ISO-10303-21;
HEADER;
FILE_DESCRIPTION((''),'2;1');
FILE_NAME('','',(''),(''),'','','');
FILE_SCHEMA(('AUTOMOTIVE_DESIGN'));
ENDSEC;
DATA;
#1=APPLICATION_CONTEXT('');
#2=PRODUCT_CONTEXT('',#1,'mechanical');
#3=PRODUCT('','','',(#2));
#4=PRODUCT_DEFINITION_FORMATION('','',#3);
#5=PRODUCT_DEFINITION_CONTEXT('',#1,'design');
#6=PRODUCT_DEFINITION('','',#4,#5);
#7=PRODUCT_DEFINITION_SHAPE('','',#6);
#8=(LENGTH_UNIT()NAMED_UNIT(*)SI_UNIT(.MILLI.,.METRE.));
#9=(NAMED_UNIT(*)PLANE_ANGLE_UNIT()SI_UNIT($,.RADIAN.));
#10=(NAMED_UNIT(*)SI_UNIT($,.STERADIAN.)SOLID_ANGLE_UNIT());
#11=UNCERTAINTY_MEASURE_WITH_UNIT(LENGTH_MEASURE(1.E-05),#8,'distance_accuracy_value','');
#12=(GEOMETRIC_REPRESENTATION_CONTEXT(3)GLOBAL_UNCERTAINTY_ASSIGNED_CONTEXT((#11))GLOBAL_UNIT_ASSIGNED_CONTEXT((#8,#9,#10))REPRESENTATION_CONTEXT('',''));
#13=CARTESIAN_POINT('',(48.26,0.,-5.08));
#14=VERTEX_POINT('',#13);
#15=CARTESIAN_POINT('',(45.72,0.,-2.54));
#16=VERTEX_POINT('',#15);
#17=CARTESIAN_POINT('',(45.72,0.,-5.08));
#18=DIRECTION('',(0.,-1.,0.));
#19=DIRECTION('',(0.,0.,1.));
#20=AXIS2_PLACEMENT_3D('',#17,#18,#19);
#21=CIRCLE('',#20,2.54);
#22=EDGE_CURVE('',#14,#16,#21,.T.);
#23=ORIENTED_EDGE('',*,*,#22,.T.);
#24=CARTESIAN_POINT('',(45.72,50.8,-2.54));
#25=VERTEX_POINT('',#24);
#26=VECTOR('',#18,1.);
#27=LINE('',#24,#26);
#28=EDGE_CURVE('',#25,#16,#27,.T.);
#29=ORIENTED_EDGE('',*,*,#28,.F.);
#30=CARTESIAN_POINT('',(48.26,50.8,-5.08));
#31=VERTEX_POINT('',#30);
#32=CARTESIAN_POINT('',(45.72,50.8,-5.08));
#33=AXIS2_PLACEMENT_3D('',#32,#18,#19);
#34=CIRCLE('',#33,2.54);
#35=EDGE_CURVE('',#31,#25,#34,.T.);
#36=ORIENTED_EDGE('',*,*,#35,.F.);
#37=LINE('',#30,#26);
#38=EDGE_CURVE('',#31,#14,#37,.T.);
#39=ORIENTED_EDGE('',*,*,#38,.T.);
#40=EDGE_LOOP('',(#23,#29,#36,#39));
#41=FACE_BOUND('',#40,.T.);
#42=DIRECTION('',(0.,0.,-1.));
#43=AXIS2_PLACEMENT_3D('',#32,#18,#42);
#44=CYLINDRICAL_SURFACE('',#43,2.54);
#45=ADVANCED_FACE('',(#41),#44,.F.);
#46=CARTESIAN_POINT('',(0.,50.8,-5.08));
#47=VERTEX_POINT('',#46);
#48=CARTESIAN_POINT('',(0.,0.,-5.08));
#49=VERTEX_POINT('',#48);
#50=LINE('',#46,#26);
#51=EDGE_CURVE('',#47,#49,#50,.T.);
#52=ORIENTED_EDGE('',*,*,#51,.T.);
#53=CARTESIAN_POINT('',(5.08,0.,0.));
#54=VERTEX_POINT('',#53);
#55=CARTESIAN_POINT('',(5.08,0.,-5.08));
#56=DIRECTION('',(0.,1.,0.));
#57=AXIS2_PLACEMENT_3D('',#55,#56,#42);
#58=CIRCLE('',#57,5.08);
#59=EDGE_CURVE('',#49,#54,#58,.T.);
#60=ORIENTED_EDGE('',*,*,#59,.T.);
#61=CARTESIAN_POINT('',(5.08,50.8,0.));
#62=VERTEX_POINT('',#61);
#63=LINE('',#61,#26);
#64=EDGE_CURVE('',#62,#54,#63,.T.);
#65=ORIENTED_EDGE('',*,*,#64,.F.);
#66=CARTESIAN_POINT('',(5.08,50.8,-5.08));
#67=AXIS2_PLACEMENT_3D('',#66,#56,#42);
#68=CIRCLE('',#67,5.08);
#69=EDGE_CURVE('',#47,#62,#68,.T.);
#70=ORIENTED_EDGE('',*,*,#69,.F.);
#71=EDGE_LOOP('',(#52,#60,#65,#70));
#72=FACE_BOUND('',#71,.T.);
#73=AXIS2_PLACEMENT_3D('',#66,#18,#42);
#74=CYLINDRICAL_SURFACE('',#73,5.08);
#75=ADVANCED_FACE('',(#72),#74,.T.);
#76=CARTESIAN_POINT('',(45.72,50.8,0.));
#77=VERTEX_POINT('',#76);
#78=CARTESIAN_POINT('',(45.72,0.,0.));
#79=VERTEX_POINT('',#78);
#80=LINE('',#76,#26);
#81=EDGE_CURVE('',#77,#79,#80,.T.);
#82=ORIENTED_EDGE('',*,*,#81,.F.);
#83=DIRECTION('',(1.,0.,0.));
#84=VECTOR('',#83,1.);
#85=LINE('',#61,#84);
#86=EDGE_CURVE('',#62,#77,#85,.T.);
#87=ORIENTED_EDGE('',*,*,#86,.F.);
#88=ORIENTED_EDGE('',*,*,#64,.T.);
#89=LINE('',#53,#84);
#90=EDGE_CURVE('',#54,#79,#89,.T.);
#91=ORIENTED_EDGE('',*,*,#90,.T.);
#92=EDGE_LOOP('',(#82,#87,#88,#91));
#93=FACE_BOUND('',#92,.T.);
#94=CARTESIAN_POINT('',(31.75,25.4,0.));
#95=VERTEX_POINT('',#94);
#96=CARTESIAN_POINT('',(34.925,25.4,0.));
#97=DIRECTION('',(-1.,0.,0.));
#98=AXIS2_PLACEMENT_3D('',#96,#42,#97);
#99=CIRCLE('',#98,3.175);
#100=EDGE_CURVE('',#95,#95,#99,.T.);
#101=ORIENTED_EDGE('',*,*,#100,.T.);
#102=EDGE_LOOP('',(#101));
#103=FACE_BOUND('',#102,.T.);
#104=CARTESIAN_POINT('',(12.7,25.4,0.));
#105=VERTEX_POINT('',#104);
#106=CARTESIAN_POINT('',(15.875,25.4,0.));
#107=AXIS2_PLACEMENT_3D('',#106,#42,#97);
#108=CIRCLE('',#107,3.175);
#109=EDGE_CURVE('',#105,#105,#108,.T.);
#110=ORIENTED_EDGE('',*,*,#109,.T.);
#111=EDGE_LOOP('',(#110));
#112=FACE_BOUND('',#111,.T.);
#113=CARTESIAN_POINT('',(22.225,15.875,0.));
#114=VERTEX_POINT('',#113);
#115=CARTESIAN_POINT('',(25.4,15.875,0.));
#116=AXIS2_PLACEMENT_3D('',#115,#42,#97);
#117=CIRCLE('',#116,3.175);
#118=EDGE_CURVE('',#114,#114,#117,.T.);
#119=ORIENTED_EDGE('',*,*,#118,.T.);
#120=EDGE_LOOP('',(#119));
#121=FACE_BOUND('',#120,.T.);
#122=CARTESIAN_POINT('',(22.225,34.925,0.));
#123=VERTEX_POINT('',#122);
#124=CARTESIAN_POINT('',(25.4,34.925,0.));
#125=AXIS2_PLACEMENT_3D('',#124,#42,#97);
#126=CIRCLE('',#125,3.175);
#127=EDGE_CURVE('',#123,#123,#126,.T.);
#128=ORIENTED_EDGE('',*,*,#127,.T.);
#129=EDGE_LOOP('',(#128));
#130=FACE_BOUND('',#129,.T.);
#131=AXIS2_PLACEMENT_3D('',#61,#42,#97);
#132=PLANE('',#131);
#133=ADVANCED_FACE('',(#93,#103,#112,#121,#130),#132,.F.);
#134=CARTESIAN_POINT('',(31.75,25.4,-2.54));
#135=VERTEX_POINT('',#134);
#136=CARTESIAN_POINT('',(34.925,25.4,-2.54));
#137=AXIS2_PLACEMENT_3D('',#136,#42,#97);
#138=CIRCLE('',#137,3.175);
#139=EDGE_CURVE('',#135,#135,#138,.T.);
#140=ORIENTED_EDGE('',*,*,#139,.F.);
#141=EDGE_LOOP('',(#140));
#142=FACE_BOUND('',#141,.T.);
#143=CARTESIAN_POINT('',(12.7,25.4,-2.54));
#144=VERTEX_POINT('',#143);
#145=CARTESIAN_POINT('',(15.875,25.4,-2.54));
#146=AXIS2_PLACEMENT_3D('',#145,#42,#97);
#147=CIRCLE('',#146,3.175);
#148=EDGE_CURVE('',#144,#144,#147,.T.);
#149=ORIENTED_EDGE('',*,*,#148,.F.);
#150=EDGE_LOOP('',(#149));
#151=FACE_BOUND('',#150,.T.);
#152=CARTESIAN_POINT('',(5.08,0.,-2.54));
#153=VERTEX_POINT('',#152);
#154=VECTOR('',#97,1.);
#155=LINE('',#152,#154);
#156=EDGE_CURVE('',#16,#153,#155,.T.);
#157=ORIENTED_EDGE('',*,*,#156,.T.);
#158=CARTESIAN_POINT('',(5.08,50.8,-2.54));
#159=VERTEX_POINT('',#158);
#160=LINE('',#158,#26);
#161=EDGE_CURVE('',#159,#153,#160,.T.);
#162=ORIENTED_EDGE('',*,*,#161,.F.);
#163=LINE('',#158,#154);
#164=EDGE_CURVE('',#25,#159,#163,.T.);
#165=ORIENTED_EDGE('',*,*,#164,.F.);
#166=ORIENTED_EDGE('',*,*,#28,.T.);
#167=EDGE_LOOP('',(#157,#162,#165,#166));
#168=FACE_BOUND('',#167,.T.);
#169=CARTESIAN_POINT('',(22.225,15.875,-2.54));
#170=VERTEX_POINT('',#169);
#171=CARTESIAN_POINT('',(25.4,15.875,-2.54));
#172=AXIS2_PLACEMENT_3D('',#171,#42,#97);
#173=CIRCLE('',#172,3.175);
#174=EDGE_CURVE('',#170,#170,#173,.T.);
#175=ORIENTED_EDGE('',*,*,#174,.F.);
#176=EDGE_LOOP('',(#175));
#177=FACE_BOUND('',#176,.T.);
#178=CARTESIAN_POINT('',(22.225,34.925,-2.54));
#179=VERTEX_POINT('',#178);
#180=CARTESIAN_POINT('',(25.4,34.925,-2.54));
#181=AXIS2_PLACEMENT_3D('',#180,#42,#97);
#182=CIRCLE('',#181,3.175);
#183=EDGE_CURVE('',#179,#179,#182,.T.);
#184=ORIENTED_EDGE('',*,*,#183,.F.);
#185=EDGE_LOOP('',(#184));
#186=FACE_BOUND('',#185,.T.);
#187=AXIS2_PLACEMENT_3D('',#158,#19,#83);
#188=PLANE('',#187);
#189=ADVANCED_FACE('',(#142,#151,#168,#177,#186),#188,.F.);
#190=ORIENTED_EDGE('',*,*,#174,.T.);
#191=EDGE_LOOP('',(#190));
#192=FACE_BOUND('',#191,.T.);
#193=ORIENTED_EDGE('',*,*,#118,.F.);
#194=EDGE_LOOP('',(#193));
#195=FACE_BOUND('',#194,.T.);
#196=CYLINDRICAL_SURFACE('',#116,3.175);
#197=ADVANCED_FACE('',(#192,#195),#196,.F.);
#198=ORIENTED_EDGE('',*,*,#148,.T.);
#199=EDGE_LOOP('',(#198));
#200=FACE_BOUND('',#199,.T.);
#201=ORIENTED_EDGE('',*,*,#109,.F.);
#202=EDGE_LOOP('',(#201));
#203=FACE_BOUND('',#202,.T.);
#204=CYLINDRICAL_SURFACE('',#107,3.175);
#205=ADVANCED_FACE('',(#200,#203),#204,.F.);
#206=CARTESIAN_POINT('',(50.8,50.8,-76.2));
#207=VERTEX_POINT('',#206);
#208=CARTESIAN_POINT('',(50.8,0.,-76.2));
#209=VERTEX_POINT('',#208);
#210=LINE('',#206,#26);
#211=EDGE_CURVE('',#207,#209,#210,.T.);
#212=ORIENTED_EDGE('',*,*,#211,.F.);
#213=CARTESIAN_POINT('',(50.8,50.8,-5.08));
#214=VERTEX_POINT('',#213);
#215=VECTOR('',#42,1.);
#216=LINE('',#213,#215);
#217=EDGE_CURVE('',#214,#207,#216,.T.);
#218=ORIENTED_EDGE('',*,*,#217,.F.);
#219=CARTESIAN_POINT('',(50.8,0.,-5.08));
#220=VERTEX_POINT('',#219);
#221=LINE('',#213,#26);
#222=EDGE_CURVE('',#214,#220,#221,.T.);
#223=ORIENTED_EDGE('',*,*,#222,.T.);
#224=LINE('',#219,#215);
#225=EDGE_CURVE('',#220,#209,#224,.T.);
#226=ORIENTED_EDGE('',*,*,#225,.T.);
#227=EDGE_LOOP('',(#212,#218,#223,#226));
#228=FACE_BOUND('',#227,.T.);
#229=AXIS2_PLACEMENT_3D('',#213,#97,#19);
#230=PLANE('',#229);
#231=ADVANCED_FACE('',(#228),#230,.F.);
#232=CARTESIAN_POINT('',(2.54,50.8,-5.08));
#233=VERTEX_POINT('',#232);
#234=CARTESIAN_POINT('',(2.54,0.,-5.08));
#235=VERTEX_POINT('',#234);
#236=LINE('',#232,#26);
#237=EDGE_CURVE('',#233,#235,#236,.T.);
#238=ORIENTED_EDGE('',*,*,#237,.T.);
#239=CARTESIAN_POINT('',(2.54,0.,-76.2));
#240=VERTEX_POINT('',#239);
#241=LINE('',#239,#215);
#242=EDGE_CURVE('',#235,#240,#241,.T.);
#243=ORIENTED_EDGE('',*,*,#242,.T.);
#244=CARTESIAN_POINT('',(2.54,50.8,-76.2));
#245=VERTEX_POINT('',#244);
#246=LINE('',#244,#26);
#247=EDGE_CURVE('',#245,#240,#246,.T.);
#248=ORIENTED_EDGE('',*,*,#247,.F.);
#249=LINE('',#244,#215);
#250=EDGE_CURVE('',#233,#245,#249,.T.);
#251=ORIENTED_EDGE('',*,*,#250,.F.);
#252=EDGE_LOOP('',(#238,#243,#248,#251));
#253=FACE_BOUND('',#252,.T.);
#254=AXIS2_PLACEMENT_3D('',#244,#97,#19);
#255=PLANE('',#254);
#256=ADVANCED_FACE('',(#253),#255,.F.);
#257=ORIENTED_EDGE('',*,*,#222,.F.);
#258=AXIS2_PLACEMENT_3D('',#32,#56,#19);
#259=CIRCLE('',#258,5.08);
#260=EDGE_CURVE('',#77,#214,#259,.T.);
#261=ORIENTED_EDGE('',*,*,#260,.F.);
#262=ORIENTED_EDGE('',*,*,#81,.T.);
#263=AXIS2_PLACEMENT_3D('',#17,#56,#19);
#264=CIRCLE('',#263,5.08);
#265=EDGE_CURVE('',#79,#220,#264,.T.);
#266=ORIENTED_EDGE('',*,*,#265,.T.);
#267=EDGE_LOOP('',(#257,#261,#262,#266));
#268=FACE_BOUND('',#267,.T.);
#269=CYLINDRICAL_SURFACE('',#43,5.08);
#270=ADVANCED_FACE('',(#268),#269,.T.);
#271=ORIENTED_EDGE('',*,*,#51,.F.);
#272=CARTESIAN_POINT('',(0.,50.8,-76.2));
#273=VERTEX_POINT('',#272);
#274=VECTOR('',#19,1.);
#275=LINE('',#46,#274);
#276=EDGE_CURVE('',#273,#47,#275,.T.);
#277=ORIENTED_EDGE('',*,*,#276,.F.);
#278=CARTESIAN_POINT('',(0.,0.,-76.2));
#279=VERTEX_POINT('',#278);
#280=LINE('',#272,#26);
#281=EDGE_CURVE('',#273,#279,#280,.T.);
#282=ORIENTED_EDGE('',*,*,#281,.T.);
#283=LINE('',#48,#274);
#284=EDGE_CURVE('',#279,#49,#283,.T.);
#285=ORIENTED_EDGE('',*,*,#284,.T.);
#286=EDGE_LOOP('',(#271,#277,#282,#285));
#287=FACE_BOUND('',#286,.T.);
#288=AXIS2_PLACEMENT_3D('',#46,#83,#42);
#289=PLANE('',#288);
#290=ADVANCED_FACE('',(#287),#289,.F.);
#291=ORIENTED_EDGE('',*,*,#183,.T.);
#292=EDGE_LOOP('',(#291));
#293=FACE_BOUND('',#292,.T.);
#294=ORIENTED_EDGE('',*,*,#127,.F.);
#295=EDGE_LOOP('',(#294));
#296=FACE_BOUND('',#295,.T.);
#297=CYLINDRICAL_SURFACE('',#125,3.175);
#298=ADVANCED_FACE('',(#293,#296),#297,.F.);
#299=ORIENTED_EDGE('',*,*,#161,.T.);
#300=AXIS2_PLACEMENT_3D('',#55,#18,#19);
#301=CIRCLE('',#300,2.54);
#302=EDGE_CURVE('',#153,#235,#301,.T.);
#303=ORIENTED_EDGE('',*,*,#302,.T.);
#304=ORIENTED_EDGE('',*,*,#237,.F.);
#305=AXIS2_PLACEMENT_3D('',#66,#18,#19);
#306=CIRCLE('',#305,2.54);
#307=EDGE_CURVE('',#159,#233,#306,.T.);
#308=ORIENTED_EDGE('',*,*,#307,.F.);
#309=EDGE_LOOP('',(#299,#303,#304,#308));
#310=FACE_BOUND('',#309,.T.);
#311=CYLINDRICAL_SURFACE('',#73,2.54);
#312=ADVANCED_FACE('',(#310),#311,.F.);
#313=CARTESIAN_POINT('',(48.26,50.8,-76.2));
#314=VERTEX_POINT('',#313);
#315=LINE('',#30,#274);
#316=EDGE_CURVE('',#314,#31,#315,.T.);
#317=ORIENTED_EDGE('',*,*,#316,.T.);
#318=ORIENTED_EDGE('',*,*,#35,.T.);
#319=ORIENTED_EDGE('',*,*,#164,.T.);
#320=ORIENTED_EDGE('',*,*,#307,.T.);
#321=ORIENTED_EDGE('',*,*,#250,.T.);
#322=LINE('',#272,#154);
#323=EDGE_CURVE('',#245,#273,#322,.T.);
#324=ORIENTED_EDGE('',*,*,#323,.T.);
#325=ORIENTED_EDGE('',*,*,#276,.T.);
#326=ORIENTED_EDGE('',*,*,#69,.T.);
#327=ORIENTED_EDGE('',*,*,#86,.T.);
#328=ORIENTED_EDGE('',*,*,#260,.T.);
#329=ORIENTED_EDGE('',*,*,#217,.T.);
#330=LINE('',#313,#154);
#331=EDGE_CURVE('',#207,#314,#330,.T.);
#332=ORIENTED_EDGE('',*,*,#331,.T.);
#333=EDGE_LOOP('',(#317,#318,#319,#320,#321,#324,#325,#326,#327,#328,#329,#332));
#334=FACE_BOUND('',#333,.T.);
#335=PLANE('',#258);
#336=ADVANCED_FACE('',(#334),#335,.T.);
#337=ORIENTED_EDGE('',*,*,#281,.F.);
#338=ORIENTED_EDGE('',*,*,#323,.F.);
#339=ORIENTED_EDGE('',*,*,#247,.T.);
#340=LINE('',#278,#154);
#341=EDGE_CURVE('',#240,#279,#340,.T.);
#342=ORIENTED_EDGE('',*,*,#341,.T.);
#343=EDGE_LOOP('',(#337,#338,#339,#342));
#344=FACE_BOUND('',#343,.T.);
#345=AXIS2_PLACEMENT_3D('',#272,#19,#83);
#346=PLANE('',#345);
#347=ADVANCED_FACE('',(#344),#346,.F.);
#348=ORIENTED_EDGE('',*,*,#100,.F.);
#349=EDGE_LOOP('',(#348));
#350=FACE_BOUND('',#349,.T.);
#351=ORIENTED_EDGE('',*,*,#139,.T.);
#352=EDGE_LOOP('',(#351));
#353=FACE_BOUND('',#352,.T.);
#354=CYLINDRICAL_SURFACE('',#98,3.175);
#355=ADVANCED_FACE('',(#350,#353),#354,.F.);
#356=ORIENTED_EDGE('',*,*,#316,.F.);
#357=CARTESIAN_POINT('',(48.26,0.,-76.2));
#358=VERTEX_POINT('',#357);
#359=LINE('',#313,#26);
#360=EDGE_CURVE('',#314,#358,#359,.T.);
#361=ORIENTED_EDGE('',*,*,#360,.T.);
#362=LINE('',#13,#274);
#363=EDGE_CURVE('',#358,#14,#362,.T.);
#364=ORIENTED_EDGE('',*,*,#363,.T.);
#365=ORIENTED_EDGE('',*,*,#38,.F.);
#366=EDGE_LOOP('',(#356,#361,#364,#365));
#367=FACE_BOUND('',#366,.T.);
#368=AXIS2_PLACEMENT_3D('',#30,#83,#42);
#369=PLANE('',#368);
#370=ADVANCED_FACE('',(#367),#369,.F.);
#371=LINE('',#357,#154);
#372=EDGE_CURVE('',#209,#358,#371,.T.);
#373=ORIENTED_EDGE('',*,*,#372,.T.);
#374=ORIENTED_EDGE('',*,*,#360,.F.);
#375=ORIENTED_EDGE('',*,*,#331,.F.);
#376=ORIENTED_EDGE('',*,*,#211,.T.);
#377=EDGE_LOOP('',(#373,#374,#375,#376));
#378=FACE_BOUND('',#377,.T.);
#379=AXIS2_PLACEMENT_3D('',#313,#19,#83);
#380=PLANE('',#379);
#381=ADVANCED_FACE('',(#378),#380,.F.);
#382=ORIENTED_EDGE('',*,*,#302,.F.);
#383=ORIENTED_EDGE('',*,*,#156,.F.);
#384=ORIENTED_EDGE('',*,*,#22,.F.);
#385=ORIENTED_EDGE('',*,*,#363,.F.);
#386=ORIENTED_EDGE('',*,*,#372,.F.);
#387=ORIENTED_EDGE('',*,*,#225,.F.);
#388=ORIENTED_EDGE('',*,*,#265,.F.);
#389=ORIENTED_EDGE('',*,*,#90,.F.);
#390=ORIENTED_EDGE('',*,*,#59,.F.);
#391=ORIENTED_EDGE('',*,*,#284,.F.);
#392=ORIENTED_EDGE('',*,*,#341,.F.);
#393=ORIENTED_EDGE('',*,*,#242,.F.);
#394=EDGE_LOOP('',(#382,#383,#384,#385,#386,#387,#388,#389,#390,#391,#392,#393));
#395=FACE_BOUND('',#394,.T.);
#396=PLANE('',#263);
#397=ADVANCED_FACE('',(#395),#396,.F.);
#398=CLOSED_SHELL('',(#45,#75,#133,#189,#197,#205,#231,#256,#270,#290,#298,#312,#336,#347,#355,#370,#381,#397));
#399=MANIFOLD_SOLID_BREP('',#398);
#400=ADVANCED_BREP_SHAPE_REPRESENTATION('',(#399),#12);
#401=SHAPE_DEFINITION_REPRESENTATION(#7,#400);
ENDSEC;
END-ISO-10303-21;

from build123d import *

# Parameters (mm, degrees)
BOSS_EXTRUDE1_DEPTH = 50.8
SKETCH2_R           = 3.175
CUT_EXTRUDE2_DEPTH  = 103.893515831


with BuildPart() as part:
    # Sketch1 → Boss-Extrude1 (new body)
    with BuildSketch(Plane(origin=(0, 0, 0), x_dir=(1, 0, 0), z_dir=(0, 1, 0))):
        with BuildLine():
            Line((0, 76.2), (2.54, 76.2))
            Line((2.54, 76.2), (2.54, 5.08))
            ThreePointArc((2.54, 5.08), (3.283948776, 3.283948776), (5.08, 2.54))
            Line((5.08, 2.54), (45.72, 2.54))
            ThreePointArc((45.72, 2.54), (47.516051224, 3.283948776), (48.26, 5.08))
            Line((48.26, 5.08), (48.26, 76.2))
            Line((48.26, 76.2), (50.8, 76.2))
            Line((50.8, 76.2), (50.8, 5.08))
            ThreePointArc((50.8, 5.08), (49.312102448, 1.487897552), (45.72, 0))
            Line((45.72, 0), (5.08, 0))
            ThreePointArc((5.08, 0), (1.487897552, 1.487897552), (0, 5.08))
            Line((0, 5.08), (0, 76.2))
        make_face()
    extrude(amount=BOSS_EXTRUDE1_DEPTH)

    # Sketch2 → Cut-Extrude2 (cut, through all)
    with BuildSketch(Plane(origin=(0, 0, -2.54), x_dir=(-1, 0, 0), z_dir=(0, 0, -1))):
        with Locations((-34.925, 25.4)):
            Circle(SKETCH2_R)
        with Locations((-25.4, 34.925)):
            Circle(SKETCH2_R)
        with Locations((-15.875, 25.4)):
            Circle(SKETCH2_R)
        with Locations((-25.4, 15.875)):
            Circle(SKETCH2_R)
    extrude(amount=-CUT_EXTRUDE2_DEPTH, mode=Mode.SUBTRACT)


solid = part.part
